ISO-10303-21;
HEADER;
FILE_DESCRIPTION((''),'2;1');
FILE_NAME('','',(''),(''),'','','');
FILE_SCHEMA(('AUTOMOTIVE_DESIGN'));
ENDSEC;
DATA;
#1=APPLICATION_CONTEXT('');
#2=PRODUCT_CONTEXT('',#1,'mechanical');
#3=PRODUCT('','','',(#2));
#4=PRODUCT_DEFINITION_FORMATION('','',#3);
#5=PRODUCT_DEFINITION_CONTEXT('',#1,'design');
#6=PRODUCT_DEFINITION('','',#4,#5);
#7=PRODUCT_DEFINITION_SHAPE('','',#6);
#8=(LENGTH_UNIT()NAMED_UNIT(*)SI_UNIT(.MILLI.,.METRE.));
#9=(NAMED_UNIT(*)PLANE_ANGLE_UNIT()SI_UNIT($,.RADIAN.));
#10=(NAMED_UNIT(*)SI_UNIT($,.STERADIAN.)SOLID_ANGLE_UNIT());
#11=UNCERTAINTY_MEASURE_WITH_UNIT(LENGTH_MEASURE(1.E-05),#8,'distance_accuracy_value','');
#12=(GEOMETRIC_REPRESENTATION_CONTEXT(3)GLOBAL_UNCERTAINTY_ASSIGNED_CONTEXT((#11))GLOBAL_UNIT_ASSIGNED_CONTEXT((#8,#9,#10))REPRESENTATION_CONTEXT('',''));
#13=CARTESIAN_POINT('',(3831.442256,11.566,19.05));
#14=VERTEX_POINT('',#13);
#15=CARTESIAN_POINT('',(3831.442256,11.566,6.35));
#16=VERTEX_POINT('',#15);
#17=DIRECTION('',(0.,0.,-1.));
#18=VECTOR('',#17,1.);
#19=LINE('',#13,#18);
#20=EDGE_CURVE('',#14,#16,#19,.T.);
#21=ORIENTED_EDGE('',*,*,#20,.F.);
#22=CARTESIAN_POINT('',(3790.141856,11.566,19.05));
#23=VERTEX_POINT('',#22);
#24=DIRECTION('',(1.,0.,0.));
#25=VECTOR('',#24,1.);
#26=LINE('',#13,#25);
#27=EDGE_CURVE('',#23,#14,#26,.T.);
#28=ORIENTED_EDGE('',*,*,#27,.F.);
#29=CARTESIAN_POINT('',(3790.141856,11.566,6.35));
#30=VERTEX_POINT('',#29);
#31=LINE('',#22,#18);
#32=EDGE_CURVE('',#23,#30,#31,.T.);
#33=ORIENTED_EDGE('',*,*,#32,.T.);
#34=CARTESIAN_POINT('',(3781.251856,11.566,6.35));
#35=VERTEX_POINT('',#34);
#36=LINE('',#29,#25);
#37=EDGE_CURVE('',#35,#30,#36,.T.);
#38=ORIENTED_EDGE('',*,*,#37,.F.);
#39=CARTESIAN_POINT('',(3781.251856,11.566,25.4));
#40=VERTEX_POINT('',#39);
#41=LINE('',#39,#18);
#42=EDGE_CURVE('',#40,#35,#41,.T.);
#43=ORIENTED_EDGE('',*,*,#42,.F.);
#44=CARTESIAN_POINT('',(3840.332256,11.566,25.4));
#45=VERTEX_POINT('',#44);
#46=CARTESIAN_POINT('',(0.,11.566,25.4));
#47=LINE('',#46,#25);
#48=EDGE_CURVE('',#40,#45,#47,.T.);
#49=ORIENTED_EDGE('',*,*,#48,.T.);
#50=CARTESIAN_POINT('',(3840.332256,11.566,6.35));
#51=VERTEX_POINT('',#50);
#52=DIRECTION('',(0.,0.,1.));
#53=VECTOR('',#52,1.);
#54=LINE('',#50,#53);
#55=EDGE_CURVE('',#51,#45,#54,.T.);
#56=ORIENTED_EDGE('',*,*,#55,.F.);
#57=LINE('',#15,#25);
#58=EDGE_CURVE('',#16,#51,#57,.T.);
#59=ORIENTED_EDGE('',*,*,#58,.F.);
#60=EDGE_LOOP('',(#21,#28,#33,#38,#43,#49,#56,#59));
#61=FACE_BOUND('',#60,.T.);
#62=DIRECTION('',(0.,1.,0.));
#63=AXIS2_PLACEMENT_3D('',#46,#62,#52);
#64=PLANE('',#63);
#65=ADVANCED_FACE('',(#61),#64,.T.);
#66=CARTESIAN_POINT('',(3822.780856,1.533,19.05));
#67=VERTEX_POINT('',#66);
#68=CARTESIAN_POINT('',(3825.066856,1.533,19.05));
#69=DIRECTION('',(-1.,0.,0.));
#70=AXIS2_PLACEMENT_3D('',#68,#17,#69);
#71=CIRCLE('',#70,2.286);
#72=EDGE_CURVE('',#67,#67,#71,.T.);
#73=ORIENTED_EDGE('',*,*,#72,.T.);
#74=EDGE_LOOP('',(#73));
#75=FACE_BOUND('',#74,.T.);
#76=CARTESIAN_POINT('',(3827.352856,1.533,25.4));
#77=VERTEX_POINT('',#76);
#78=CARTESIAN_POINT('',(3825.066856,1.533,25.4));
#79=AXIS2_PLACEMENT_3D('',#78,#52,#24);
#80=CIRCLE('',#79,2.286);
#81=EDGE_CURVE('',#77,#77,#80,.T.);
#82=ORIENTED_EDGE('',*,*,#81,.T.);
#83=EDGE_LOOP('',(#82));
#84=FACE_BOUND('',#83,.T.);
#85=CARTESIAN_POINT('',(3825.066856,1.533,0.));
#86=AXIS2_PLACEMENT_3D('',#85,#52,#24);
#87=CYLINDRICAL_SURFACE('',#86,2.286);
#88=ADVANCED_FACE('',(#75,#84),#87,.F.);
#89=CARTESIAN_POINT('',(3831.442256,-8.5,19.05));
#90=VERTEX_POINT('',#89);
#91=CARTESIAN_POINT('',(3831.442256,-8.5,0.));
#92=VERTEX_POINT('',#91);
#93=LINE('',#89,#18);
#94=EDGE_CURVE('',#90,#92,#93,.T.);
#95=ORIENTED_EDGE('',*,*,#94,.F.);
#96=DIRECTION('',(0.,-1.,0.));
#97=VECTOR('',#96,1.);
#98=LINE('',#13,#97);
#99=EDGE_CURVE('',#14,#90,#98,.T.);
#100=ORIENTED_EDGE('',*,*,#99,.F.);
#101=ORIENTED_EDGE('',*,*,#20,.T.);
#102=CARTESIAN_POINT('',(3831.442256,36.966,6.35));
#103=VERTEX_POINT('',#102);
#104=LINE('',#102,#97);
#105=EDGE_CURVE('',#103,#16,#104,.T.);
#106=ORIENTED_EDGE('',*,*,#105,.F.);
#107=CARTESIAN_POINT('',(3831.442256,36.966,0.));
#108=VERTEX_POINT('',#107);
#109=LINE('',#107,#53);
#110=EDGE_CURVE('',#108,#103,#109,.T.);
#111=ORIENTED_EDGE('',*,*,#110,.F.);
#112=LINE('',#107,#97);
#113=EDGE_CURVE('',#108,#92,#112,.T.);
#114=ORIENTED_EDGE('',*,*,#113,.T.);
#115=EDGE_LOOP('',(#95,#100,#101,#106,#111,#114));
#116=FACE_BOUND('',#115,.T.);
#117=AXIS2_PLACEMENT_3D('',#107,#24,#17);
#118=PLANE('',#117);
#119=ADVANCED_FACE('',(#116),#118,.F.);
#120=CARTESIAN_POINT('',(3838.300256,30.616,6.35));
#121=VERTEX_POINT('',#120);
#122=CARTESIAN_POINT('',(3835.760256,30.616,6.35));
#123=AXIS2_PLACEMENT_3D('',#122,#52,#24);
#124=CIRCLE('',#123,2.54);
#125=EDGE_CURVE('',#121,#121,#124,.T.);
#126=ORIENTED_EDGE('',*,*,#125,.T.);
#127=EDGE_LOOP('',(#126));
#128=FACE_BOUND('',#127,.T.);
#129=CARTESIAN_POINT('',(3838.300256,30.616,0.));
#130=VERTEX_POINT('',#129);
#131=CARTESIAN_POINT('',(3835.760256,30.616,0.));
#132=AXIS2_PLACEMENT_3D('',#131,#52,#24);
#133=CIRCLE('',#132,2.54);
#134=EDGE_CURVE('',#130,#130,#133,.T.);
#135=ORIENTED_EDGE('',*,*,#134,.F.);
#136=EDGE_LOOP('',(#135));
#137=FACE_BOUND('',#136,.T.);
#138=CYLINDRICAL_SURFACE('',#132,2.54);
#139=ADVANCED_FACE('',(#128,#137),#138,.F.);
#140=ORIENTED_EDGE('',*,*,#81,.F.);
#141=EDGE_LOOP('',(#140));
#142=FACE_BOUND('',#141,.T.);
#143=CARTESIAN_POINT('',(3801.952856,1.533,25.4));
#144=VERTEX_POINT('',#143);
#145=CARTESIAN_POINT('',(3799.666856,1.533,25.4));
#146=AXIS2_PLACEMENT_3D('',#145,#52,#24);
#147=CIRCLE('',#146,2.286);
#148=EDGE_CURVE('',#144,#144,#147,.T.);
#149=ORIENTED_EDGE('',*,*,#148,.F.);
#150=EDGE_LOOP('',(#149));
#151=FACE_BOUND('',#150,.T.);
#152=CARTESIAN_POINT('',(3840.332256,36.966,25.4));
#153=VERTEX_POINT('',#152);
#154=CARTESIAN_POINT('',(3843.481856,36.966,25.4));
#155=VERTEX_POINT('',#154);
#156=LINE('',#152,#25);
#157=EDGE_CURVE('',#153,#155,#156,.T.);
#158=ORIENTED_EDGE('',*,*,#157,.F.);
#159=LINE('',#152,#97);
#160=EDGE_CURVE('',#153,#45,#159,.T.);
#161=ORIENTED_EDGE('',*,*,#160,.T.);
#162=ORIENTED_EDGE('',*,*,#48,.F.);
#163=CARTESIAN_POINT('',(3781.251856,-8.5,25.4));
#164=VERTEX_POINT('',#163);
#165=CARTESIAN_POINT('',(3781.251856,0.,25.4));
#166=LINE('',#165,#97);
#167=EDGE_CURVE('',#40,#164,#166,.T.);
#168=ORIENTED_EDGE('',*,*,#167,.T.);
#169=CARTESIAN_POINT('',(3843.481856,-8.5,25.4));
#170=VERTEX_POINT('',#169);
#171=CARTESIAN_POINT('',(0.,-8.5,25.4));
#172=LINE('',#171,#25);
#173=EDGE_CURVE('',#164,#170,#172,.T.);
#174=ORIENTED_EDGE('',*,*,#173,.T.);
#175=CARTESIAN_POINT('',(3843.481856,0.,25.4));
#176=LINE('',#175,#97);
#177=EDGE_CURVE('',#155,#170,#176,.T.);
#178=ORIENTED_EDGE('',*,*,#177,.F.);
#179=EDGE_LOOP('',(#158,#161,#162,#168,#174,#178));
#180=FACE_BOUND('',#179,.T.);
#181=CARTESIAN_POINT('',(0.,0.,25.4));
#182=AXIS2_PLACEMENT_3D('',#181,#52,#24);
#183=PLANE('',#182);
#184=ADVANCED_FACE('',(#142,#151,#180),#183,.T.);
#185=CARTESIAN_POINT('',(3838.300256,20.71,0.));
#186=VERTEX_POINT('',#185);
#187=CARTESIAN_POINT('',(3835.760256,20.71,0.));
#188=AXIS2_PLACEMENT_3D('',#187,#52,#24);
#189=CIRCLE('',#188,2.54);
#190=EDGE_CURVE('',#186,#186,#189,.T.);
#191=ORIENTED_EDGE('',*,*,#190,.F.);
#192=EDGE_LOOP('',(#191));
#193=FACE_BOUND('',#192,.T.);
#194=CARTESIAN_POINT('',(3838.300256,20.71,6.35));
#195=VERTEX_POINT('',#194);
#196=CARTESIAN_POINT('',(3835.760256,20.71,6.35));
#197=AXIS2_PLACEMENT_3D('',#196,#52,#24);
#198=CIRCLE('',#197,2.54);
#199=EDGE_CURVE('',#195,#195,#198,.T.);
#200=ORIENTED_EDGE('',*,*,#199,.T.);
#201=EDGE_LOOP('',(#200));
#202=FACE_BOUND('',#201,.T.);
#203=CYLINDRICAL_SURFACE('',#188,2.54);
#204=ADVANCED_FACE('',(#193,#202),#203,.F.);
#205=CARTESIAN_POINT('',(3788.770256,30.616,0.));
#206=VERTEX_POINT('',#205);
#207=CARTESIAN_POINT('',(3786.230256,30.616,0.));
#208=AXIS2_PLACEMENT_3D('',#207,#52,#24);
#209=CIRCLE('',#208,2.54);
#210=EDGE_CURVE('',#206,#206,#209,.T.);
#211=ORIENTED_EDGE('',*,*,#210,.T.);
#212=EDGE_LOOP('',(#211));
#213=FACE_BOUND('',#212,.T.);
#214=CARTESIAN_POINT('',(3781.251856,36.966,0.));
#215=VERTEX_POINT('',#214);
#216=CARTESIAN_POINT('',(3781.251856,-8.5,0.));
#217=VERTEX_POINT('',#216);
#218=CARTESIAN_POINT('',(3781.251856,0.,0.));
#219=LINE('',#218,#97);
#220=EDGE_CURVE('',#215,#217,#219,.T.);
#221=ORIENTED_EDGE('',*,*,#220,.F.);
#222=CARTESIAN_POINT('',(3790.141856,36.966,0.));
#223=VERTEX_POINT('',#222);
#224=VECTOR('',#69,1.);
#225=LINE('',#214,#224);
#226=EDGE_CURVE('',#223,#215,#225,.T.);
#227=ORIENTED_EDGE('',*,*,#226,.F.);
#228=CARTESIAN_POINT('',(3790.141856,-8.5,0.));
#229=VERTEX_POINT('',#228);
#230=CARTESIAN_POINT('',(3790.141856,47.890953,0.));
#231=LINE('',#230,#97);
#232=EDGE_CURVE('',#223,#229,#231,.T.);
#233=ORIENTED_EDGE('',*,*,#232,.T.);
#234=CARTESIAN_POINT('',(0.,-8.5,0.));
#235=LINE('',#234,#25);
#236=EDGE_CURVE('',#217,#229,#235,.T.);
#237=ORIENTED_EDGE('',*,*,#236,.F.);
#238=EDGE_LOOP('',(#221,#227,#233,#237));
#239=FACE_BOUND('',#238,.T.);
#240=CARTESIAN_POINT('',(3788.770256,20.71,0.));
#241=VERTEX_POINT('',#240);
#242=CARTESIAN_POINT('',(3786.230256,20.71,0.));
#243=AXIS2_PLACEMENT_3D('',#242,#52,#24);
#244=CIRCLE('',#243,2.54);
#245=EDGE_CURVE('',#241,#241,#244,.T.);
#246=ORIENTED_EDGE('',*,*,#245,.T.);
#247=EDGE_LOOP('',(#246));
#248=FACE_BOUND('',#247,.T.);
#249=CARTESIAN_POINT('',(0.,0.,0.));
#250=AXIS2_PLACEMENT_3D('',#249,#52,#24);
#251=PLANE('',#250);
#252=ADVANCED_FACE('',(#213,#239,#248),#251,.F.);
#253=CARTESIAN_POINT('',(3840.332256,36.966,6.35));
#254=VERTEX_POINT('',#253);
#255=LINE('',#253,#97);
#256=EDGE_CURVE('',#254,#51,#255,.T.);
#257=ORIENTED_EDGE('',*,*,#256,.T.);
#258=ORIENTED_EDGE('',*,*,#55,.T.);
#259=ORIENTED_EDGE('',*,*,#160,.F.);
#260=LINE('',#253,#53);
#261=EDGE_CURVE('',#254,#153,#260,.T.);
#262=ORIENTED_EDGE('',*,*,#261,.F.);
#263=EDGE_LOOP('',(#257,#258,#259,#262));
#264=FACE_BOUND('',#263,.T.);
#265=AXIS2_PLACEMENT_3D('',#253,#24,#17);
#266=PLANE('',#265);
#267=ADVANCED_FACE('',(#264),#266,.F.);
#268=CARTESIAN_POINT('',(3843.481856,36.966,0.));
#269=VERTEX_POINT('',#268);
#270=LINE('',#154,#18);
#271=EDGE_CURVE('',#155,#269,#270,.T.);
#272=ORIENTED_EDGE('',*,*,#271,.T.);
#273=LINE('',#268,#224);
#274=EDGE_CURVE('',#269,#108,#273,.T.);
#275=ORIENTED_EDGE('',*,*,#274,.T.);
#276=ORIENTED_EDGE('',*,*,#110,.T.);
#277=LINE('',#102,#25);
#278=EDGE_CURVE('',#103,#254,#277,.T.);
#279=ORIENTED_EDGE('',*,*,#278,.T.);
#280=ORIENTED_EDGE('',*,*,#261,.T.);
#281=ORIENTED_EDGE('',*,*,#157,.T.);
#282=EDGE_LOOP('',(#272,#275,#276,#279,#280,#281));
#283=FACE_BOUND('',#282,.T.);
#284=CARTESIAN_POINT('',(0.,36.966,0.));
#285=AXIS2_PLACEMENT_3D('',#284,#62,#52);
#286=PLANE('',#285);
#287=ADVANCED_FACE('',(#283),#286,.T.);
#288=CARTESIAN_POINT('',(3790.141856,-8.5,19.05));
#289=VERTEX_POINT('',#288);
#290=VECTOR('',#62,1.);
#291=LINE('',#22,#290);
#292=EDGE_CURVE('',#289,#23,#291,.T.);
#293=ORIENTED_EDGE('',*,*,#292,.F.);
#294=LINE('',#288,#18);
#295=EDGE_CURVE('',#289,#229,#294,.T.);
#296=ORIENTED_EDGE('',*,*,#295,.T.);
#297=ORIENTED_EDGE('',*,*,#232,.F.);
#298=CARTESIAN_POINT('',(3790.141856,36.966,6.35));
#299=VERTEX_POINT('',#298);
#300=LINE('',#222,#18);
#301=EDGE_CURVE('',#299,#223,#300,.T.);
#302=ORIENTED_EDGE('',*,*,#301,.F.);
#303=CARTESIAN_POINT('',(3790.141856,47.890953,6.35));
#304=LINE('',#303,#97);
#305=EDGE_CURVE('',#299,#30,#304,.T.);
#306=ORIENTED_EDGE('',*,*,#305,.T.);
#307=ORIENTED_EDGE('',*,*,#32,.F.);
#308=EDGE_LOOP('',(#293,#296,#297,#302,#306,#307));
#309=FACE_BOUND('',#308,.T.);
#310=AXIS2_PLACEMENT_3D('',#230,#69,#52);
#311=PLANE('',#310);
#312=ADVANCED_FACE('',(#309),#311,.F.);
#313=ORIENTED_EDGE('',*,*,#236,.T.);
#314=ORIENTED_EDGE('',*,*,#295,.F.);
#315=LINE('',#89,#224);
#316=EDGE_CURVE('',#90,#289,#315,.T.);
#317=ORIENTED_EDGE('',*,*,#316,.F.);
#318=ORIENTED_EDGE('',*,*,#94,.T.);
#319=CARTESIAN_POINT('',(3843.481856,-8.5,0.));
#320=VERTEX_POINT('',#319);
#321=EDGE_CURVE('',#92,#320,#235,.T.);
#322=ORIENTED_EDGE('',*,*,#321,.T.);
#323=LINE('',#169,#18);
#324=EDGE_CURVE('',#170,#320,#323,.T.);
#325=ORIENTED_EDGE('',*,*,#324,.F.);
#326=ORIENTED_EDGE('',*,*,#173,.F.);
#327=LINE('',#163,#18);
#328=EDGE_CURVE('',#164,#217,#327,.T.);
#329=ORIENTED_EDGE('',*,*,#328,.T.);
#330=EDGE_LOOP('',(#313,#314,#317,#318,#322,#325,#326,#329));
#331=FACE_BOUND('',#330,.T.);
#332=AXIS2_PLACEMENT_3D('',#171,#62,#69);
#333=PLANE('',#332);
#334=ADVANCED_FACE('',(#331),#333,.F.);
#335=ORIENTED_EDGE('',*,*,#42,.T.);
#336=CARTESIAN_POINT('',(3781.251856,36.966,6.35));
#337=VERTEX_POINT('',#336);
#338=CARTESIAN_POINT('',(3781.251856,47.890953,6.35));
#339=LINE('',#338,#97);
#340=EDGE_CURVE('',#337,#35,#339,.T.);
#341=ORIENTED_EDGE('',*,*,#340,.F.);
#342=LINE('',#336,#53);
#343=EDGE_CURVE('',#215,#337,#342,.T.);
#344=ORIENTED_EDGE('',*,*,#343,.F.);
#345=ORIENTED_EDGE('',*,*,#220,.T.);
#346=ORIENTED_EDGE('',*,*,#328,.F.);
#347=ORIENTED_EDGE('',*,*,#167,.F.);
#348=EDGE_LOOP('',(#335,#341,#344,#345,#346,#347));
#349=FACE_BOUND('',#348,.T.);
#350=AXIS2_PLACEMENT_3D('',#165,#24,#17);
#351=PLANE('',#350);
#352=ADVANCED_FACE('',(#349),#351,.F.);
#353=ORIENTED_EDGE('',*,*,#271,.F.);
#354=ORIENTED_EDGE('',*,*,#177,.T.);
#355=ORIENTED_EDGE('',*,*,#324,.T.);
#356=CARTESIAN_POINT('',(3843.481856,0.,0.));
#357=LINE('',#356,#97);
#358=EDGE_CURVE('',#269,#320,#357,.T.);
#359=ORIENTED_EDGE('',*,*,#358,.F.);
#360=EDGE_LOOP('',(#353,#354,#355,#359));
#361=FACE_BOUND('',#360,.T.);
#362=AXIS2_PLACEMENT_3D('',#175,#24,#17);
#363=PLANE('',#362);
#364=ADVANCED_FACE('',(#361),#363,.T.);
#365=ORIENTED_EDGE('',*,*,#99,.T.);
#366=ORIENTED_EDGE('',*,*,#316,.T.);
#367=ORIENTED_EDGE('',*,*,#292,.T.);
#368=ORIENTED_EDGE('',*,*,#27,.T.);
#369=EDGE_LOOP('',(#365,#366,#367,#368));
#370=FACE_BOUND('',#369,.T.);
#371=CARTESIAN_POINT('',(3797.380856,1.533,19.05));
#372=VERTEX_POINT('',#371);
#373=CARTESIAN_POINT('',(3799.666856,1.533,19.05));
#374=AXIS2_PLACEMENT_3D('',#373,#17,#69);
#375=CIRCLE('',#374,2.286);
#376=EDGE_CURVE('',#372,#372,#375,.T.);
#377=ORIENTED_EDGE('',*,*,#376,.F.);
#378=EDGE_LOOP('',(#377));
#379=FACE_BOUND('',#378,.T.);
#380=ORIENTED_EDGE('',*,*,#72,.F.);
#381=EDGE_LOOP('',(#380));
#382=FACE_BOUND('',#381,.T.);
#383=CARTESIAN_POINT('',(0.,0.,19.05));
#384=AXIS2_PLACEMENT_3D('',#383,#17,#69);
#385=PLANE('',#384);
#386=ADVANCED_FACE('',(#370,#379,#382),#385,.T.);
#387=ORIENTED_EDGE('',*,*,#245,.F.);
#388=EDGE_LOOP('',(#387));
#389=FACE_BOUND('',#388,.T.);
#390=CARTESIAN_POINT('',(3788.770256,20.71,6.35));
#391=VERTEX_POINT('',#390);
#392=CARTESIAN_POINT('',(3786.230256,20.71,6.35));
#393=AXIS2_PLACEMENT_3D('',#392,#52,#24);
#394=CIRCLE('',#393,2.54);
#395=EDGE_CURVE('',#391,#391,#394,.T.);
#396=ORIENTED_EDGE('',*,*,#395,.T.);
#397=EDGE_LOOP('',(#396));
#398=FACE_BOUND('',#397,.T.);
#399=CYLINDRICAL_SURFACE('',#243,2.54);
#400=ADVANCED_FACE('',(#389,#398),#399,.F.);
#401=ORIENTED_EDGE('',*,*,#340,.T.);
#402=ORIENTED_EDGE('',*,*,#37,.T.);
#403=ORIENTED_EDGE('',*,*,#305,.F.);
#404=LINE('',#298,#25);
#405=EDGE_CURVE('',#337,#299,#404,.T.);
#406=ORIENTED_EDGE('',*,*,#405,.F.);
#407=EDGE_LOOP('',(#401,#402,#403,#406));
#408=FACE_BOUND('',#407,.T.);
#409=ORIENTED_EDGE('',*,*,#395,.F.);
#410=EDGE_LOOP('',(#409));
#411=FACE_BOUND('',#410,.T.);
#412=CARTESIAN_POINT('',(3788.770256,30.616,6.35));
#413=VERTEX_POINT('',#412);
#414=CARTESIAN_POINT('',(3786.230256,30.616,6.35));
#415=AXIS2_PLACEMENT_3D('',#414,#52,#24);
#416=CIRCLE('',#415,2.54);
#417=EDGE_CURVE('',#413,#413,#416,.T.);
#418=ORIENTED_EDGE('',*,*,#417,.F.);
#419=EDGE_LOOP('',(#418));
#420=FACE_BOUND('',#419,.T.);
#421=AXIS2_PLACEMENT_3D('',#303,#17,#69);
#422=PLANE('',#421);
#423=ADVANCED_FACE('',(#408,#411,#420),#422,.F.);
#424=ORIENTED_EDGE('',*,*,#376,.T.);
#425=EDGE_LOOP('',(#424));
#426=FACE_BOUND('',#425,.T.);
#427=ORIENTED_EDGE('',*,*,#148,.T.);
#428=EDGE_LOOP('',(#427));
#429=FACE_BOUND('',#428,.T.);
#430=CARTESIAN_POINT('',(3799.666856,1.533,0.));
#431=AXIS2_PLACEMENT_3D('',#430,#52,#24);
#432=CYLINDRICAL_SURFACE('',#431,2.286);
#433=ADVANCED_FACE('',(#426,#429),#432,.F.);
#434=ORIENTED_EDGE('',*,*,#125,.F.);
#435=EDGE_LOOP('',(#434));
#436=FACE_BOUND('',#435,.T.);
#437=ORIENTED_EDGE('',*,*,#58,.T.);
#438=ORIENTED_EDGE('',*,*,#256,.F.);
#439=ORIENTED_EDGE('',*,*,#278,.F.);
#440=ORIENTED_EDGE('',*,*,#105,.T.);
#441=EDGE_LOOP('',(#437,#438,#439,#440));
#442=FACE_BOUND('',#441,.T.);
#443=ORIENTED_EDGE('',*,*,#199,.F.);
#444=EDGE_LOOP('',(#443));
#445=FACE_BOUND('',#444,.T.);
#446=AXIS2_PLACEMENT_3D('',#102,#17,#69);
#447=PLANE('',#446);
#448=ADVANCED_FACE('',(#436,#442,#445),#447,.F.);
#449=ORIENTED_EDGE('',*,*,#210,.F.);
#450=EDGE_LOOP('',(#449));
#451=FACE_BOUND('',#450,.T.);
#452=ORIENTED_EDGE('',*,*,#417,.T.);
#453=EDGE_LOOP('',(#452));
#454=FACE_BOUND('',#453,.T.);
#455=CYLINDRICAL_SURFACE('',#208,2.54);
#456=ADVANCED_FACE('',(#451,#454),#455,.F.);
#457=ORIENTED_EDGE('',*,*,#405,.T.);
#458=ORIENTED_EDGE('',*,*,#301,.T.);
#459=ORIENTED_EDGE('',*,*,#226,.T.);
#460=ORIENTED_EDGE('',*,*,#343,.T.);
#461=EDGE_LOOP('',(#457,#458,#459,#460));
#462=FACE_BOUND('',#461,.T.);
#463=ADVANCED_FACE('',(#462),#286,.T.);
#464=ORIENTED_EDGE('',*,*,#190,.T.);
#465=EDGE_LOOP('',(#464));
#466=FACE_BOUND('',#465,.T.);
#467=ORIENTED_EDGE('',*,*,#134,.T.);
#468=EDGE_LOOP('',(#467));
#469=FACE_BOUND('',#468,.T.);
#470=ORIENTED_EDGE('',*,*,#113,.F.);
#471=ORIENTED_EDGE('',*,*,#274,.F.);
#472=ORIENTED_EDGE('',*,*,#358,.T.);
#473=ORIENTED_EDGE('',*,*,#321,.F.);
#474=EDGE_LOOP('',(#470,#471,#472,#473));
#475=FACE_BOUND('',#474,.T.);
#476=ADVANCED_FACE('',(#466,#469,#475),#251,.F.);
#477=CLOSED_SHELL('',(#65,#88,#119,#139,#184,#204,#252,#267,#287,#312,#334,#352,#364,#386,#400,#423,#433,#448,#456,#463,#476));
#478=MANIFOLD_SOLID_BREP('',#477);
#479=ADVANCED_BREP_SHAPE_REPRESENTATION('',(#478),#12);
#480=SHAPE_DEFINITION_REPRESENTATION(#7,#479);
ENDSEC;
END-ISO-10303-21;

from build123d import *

# Parameters (mm, degrees)
SKETCH1_W           = 62.23
SKETCH1_H           = 20.066
BOSS_EXTRUDE1_DEPTH = 25.4
BOSS_EXTRUDE2_DEPTH = 25.4
SKETCH4_W           = 8.89
SKETCH4_H           = 6.35
BOSS_EXTRUDE3_DEPTH = 25.4
SKETCH5_R           = 2.54
CUT_EXTRUDE1_DEPTH  = 7.35
SKETCH10_W          = 41.3004
SKETCH10_H          = 20.066
CUT_EXTRUDE6_DEPTH  = 19.05
SKETCH11_R          = 2.286
CUT_EXTRUDE7_DEPTH  = 26.4


with BuildPart() as part:
    # Sketch1 → Boss-Extrude1 (new body)
    with BuildSketch(Plane.XY):
        with Locations((3812.36685564, 1.533)):
            Rectangle(SKETCH1_W, SKETCH1_H)
    extrude(amount=BOSS_EXTRUDE1_DEPTH)

    # Sketch3 → Boss-Extrude2 (add)
    with BuildSketch(Plane(origin=(0, 11.566, 0), x_dir=(1, 0, 0), z_dir=(0, 1, 0))):
        Polygon((3831.44225564, 0), (3831.44225564, -6.35), (3840.33225564, -6.35), (3840.33225564, -25.4), (3843.48185564, -25.4), (3843.48185564, 0), align=None)
    extrude(amount=BOSS_EXTRUDE2_DEPTH)

    # Sketch4 → Boss-Extrude3 (add)
    with BuildSketch(Plane(origin=(0, 11.566, 0), x_dir=(1, 0, 0), z_dir=(0, 1, 0))):
        with Locations((3785.69685564, -3.175)):
            Rectangle(SKETCH4_W, SKETCH4_H)
    extrude(amount=BOSS_EXTRUDE3_DEPTH)

    # Sketch5 → Cut-Extrude1 (cut, through all)
    with BuildSketch(Plane.XY.offset(6.35)):
        with Locations((3835.76025564, 30.616)):
            Circle(SKETCH5_R)
        with Locations((3835.76025564, 20.71)):
            Circle(SKETCH5_R)
        with Locations((3786.23025564, 20.71)):
            Circle(SKETCH5_R)
        with Locations((3786.23025564, 30.616)):
            Circle(SKETCH5_R)
    extrude(amount=-CUT_EXTRUDE1_DEPTH, mode=Mode.SUBTRACT)

    # Sketch10 → Cut-Extrude6 (cut)
    with BuildSketch(Plane(origin=(0, 0, 0), x_dir=(-1, 0, 0), z_dir=(0, 0, -1))):
        with Locations((-3810.79205564, 1.533)):
            Rectangle(SKETCH10_W, SKETCH10_H)
    extrude(amount=-CUT_EXTRUDE6_DEPTH, mode=Mode.SUBTRACT)

    # Sketch11 → Cut-Extrude7 (cut, through all)
    with BuildSketch(Plane.XY.offset(25.4)):
        with Locations((3799.66685564, 1.533)):
            Circle(SKETCH11_R)
        with Locations((3825.06685564, 1.533)):
            Circle(SKETCH11_R)
    extrude(amount=-CUT_EXTRUDE7_DEPTH, mode=Mode.SUBTRACT)


solid = part.part
